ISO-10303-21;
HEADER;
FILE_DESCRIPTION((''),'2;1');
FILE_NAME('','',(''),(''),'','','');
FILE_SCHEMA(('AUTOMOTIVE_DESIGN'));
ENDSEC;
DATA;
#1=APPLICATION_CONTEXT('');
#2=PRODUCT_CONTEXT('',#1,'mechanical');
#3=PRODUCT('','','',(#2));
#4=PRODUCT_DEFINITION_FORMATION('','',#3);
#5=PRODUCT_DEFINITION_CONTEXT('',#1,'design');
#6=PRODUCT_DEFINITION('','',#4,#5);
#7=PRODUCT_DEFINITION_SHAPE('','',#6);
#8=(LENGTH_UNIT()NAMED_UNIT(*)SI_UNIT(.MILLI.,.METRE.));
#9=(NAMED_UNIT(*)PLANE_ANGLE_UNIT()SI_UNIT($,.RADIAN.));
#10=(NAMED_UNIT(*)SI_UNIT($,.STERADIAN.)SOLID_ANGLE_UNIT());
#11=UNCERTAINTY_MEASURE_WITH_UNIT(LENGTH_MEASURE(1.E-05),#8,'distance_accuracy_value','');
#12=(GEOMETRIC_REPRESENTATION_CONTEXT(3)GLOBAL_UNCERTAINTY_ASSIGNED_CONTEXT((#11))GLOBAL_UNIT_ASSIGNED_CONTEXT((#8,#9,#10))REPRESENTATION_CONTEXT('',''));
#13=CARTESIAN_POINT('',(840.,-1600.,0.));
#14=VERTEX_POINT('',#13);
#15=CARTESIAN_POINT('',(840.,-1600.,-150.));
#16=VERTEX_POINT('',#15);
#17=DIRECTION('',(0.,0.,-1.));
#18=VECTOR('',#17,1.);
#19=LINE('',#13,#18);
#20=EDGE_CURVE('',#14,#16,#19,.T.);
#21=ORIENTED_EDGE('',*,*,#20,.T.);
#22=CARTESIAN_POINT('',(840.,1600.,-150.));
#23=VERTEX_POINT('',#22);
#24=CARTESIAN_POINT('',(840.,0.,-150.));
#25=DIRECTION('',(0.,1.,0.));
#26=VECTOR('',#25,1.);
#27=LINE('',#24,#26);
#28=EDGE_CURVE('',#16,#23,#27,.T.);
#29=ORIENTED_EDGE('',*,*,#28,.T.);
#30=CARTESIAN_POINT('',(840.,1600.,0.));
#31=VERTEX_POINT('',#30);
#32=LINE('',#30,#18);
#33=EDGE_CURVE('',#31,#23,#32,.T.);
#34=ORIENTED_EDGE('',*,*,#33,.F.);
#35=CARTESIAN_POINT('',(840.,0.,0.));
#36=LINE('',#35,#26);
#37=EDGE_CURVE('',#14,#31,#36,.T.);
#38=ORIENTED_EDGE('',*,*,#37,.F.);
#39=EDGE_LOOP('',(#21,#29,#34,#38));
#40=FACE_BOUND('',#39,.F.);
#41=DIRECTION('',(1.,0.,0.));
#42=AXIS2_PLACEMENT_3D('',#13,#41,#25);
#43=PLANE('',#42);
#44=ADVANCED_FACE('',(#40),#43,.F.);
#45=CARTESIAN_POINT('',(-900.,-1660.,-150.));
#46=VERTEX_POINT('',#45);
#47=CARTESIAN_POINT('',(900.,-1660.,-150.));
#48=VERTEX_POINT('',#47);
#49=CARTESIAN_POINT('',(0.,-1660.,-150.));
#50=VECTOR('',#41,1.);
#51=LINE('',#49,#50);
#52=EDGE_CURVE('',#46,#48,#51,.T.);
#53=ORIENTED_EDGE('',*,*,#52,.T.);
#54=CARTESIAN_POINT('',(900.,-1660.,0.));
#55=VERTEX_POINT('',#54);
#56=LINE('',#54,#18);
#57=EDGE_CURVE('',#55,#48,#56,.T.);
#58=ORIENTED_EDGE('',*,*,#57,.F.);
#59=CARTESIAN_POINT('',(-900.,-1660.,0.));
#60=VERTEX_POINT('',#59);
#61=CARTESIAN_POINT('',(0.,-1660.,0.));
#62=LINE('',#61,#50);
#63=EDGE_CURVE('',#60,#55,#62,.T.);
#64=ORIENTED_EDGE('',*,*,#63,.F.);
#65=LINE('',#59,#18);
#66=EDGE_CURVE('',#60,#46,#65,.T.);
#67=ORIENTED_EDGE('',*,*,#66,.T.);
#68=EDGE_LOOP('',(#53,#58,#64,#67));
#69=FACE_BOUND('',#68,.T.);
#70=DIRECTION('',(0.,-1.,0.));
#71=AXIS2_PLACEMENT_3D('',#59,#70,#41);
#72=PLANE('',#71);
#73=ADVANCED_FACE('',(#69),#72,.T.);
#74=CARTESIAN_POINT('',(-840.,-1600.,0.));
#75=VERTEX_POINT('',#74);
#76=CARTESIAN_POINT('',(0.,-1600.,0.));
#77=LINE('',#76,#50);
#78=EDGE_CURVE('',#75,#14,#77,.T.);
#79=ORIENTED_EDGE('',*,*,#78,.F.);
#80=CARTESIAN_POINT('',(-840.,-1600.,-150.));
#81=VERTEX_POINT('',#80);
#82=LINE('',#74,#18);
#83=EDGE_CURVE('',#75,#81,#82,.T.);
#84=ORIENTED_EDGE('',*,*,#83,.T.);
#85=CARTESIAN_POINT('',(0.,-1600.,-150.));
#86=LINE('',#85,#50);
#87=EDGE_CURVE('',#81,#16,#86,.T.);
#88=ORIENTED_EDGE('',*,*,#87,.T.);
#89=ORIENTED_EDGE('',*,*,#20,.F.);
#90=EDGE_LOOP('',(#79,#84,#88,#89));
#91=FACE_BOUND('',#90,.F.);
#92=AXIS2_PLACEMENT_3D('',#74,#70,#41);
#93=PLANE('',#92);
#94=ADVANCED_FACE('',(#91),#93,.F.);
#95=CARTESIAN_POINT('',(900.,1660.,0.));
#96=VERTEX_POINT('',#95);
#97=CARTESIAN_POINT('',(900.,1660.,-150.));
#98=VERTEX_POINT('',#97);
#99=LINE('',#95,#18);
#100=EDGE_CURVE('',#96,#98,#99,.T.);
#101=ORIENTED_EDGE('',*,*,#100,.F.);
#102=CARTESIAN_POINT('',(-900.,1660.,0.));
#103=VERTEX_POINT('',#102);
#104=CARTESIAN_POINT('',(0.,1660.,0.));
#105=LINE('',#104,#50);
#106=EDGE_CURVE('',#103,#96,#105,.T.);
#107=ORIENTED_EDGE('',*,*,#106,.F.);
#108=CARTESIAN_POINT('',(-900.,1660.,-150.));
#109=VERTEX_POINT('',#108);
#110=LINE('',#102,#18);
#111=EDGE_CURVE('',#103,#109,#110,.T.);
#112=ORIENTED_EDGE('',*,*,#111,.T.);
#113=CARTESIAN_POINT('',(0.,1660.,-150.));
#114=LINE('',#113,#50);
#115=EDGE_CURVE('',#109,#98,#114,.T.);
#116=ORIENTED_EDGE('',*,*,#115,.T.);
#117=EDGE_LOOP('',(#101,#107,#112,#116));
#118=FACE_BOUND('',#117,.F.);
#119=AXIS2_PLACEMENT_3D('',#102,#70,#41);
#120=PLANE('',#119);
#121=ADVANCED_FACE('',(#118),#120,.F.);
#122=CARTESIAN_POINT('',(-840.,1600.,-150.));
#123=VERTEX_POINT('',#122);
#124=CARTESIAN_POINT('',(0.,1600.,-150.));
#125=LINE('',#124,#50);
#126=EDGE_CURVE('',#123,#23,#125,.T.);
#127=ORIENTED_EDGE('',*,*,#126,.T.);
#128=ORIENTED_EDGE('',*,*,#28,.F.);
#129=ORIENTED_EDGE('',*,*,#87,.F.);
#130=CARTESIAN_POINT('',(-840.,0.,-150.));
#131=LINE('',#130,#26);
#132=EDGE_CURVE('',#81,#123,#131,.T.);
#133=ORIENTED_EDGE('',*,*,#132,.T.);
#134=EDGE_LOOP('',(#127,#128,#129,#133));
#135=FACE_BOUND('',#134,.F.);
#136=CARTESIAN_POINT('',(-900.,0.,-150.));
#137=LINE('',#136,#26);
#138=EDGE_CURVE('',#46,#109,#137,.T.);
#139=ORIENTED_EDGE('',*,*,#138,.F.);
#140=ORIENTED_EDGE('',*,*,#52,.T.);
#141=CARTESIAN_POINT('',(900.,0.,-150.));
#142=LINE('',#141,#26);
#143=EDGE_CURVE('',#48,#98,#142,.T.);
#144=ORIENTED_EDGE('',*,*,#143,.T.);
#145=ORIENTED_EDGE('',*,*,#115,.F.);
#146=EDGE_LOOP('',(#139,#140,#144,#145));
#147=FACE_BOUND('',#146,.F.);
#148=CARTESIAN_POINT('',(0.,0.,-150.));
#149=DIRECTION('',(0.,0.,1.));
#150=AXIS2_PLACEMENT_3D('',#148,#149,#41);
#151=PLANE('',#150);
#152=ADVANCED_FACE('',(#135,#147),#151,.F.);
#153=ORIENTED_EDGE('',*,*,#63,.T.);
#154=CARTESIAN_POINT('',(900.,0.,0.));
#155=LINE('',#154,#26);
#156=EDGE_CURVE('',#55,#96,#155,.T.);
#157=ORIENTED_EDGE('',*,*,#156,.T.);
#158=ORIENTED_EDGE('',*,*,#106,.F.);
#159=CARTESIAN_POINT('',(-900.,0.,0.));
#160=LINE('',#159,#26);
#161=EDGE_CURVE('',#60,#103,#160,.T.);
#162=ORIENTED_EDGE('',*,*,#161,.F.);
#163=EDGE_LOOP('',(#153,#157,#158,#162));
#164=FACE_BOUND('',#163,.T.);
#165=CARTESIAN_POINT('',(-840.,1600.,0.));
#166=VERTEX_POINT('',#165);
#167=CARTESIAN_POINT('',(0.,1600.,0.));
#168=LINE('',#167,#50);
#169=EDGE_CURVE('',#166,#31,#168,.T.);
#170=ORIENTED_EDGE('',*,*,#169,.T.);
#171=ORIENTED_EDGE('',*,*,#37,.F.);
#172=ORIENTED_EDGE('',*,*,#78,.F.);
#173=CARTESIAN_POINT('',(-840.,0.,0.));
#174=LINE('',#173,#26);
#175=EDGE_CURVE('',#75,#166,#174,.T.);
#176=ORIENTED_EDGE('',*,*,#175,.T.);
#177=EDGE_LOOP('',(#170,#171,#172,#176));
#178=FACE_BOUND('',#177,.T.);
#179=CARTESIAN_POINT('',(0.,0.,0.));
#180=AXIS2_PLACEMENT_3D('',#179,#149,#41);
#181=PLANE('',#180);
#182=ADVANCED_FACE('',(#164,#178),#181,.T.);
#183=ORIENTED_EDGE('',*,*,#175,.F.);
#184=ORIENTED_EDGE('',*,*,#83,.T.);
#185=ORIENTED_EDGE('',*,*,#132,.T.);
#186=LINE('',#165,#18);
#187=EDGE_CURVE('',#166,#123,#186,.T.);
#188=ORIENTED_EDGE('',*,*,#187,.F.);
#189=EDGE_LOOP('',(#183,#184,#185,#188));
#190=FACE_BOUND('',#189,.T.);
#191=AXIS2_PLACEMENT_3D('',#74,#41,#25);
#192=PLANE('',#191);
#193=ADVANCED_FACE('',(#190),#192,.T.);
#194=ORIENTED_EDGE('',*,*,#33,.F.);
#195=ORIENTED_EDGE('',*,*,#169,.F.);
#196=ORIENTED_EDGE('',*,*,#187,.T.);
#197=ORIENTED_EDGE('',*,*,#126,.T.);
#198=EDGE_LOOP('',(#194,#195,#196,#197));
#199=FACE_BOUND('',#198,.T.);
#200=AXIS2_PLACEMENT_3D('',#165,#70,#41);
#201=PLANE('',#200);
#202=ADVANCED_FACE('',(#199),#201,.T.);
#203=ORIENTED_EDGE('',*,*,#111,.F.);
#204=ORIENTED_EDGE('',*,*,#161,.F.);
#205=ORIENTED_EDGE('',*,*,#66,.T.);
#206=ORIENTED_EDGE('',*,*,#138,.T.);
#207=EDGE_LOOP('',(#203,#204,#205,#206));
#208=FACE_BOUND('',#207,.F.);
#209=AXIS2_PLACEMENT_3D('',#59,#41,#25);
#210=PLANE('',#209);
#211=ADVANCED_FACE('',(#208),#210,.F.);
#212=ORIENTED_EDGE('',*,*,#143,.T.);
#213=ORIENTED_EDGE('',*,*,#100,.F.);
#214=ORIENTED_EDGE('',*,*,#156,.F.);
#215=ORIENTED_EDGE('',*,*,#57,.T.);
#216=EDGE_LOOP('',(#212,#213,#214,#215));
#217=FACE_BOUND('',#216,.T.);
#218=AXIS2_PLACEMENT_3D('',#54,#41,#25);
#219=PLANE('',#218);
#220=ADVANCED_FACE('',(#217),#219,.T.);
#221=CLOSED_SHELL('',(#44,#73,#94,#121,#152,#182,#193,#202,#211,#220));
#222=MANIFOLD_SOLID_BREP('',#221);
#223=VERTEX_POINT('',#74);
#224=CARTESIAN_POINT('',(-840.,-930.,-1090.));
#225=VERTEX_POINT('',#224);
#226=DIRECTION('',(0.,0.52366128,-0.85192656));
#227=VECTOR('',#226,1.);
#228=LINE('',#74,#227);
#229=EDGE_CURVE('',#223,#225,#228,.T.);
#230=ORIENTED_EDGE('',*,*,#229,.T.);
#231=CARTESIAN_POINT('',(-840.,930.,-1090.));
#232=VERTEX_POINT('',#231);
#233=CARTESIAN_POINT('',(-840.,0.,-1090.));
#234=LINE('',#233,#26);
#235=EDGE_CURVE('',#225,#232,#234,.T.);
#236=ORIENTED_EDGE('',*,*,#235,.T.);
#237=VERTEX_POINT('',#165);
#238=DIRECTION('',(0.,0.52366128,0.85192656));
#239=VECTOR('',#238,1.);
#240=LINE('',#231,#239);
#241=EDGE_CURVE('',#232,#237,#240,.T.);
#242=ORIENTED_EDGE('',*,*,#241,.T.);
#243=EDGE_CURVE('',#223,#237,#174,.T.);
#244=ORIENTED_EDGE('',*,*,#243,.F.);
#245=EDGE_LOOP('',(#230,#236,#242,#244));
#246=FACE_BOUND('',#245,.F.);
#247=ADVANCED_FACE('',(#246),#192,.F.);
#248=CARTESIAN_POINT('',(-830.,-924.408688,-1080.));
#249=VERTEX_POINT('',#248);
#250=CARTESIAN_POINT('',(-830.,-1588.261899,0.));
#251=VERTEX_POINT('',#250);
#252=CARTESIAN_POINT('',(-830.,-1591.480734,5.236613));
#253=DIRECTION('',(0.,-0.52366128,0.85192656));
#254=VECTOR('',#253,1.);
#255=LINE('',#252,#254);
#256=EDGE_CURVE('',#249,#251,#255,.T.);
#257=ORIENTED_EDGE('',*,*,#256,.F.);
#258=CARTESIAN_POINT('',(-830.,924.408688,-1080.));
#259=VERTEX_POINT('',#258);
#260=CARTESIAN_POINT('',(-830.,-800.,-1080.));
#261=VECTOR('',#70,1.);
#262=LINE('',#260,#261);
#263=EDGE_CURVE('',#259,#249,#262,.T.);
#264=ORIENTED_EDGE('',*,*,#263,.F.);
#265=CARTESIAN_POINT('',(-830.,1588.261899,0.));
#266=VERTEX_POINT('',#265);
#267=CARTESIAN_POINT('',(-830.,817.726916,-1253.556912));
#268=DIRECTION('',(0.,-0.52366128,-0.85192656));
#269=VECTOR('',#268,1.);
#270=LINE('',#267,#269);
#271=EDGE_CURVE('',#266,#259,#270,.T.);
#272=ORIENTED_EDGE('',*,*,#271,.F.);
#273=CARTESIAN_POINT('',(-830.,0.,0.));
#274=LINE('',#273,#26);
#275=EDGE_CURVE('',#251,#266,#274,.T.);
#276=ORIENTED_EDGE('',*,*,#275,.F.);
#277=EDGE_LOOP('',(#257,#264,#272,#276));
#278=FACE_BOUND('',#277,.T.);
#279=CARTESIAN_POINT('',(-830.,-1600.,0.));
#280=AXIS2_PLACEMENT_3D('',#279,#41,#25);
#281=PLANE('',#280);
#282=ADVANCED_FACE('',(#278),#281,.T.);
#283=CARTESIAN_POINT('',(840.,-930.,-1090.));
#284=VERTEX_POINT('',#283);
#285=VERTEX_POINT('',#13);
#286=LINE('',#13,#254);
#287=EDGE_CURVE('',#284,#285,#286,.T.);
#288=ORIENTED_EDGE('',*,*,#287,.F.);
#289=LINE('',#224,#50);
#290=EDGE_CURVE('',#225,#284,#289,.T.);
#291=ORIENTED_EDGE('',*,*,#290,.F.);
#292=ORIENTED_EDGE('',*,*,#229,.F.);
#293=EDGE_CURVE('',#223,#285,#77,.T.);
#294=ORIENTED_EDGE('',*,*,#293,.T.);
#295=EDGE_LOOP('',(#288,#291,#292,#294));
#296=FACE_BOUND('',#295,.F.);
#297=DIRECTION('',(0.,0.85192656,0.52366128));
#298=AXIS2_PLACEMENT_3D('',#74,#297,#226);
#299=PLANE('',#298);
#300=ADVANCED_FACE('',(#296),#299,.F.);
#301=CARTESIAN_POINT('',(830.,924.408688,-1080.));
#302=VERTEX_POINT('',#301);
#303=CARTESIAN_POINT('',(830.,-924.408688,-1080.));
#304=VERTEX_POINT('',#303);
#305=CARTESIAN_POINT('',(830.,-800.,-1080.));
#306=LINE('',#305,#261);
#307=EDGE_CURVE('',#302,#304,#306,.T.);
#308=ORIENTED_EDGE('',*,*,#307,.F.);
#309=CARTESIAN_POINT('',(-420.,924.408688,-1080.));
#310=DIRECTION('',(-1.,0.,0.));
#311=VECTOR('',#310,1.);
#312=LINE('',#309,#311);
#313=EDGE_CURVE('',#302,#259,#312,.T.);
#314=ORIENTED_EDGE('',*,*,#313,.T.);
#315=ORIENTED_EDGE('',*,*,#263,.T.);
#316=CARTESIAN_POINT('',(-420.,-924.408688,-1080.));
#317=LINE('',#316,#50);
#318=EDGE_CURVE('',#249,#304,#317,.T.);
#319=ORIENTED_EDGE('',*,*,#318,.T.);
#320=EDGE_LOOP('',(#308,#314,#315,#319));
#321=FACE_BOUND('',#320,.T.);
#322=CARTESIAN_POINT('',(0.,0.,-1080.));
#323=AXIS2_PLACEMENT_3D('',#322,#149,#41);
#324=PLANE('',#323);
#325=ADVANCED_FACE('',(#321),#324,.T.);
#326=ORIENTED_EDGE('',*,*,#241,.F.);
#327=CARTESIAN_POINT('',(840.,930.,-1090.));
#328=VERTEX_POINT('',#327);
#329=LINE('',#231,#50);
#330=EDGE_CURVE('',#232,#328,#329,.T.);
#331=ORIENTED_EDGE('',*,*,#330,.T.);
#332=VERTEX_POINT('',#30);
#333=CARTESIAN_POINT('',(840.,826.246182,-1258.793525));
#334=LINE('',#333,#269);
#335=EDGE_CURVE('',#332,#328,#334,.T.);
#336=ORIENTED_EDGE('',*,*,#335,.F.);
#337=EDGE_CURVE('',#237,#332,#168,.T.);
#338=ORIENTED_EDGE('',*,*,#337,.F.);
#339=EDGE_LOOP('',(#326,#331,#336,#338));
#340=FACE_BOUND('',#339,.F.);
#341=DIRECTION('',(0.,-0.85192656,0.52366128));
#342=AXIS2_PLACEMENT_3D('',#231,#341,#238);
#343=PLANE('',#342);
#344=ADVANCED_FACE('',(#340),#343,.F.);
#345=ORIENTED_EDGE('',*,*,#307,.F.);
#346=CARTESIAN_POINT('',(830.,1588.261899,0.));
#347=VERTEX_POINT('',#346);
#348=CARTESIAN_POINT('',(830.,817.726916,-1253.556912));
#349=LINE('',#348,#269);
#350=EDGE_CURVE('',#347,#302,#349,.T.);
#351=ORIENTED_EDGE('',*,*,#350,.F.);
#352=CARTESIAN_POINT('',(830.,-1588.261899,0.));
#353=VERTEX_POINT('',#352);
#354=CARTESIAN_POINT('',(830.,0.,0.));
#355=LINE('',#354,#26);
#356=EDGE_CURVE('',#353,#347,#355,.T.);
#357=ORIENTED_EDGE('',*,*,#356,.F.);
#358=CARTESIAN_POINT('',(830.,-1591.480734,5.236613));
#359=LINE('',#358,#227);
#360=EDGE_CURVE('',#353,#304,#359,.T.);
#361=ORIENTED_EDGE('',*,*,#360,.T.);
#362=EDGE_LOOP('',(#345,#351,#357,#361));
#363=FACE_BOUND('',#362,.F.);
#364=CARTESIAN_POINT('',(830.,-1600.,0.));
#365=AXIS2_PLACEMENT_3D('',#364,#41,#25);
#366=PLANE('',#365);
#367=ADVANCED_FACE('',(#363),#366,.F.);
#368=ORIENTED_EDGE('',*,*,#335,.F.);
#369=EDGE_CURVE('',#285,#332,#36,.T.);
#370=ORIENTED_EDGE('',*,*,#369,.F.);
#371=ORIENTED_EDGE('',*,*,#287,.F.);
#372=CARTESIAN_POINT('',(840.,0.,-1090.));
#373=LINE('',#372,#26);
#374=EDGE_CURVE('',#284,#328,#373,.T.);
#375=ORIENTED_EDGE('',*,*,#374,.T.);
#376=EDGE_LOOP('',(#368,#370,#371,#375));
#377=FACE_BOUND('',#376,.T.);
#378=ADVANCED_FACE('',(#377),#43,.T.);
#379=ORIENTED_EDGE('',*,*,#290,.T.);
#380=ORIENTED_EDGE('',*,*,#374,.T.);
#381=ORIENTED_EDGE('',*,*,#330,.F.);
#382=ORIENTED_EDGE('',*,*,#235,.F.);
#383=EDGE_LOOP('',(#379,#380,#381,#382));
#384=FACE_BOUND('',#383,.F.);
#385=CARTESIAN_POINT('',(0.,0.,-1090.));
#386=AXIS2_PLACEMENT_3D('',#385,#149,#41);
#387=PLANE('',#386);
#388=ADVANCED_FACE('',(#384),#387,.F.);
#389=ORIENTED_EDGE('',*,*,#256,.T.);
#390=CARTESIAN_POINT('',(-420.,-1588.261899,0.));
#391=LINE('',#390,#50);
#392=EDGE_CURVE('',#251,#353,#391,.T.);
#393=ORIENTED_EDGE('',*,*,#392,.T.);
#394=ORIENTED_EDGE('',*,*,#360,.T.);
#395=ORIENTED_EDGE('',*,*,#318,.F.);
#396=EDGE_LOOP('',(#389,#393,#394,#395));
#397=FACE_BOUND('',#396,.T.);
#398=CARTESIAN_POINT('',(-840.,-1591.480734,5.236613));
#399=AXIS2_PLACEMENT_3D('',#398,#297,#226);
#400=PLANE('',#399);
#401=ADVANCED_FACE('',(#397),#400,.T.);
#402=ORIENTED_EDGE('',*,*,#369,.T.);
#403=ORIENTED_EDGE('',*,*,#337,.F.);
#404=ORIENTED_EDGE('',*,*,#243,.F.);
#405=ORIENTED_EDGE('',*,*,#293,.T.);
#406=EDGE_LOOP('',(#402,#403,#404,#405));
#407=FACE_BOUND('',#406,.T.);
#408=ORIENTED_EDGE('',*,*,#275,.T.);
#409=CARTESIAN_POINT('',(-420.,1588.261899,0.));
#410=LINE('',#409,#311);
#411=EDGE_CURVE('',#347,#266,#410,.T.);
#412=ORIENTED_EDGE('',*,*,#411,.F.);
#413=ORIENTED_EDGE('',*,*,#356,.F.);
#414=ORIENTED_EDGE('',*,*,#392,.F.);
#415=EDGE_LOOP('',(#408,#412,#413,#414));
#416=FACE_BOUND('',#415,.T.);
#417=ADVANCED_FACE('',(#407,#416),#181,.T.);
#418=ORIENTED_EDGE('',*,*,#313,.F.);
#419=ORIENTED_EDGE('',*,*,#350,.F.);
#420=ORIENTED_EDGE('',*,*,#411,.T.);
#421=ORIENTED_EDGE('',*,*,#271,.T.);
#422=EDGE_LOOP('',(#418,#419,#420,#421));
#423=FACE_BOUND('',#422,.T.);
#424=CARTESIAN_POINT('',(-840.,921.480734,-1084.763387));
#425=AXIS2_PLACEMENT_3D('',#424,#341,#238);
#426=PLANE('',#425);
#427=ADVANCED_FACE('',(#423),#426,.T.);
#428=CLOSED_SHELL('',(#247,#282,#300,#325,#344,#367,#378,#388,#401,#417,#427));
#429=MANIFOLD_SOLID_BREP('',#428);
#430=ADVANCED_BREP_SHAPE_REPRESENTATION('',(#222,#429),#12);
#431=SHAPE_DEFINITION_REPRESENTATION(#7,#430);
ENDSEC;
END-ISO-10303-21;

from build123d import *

# Parameters (mm, degrees)
F0_W     = 1680
F0_H     = 3200
F1_DEPTH = 1090
F3_DEPTH = 1680.001
F4_T     = -10
F0_W_2   = 1800
F0_H_2   = 3320
F5_DEPTH = 150


with BuildPart() as f1:
    # F0 (on Top) → F1 (new body)
    with BuildSketch(Plane.XY):
        Rectangle(F0_W, F0_H)
    extrude(amount=-F1_DEPTH)

    # F2 (on face) → F3 (cut, through all)
    with BuildSketch(Plane(origin=(-840, 0, 0), x_dir=(0, -1, 0), z_dir=(-1, 0, 0))):
        Polygon((-930, -1090), (-1600, 0), (-1600, -1090), align=None)
        Polygon((1600, -1090), (1600, 0), (930, -1090), align=None)
    extrude(amount=-F3_DEPTH, mode=Mode.SUBTRACT)

    # F4
    f4_openings = [f1.faces().sort_by_distance(p)[0] for p in [
        (0, 0, 0),
    ]]
    offset(amount=F4_T, openings=f4_openings)


with BuildPart() as f5:
    # F0 (on Top) → F5 (new body)
    with BuildSketch(Plane.XY):
        Rectangle(F0_W_2, F0_H_2)
        Rectangle(F0_W, F0_H, mode=Mode.SUBTRACT)
    extrude(amount=-F5_DEPTH)


solid = Compound([f1.part, f5.part])
